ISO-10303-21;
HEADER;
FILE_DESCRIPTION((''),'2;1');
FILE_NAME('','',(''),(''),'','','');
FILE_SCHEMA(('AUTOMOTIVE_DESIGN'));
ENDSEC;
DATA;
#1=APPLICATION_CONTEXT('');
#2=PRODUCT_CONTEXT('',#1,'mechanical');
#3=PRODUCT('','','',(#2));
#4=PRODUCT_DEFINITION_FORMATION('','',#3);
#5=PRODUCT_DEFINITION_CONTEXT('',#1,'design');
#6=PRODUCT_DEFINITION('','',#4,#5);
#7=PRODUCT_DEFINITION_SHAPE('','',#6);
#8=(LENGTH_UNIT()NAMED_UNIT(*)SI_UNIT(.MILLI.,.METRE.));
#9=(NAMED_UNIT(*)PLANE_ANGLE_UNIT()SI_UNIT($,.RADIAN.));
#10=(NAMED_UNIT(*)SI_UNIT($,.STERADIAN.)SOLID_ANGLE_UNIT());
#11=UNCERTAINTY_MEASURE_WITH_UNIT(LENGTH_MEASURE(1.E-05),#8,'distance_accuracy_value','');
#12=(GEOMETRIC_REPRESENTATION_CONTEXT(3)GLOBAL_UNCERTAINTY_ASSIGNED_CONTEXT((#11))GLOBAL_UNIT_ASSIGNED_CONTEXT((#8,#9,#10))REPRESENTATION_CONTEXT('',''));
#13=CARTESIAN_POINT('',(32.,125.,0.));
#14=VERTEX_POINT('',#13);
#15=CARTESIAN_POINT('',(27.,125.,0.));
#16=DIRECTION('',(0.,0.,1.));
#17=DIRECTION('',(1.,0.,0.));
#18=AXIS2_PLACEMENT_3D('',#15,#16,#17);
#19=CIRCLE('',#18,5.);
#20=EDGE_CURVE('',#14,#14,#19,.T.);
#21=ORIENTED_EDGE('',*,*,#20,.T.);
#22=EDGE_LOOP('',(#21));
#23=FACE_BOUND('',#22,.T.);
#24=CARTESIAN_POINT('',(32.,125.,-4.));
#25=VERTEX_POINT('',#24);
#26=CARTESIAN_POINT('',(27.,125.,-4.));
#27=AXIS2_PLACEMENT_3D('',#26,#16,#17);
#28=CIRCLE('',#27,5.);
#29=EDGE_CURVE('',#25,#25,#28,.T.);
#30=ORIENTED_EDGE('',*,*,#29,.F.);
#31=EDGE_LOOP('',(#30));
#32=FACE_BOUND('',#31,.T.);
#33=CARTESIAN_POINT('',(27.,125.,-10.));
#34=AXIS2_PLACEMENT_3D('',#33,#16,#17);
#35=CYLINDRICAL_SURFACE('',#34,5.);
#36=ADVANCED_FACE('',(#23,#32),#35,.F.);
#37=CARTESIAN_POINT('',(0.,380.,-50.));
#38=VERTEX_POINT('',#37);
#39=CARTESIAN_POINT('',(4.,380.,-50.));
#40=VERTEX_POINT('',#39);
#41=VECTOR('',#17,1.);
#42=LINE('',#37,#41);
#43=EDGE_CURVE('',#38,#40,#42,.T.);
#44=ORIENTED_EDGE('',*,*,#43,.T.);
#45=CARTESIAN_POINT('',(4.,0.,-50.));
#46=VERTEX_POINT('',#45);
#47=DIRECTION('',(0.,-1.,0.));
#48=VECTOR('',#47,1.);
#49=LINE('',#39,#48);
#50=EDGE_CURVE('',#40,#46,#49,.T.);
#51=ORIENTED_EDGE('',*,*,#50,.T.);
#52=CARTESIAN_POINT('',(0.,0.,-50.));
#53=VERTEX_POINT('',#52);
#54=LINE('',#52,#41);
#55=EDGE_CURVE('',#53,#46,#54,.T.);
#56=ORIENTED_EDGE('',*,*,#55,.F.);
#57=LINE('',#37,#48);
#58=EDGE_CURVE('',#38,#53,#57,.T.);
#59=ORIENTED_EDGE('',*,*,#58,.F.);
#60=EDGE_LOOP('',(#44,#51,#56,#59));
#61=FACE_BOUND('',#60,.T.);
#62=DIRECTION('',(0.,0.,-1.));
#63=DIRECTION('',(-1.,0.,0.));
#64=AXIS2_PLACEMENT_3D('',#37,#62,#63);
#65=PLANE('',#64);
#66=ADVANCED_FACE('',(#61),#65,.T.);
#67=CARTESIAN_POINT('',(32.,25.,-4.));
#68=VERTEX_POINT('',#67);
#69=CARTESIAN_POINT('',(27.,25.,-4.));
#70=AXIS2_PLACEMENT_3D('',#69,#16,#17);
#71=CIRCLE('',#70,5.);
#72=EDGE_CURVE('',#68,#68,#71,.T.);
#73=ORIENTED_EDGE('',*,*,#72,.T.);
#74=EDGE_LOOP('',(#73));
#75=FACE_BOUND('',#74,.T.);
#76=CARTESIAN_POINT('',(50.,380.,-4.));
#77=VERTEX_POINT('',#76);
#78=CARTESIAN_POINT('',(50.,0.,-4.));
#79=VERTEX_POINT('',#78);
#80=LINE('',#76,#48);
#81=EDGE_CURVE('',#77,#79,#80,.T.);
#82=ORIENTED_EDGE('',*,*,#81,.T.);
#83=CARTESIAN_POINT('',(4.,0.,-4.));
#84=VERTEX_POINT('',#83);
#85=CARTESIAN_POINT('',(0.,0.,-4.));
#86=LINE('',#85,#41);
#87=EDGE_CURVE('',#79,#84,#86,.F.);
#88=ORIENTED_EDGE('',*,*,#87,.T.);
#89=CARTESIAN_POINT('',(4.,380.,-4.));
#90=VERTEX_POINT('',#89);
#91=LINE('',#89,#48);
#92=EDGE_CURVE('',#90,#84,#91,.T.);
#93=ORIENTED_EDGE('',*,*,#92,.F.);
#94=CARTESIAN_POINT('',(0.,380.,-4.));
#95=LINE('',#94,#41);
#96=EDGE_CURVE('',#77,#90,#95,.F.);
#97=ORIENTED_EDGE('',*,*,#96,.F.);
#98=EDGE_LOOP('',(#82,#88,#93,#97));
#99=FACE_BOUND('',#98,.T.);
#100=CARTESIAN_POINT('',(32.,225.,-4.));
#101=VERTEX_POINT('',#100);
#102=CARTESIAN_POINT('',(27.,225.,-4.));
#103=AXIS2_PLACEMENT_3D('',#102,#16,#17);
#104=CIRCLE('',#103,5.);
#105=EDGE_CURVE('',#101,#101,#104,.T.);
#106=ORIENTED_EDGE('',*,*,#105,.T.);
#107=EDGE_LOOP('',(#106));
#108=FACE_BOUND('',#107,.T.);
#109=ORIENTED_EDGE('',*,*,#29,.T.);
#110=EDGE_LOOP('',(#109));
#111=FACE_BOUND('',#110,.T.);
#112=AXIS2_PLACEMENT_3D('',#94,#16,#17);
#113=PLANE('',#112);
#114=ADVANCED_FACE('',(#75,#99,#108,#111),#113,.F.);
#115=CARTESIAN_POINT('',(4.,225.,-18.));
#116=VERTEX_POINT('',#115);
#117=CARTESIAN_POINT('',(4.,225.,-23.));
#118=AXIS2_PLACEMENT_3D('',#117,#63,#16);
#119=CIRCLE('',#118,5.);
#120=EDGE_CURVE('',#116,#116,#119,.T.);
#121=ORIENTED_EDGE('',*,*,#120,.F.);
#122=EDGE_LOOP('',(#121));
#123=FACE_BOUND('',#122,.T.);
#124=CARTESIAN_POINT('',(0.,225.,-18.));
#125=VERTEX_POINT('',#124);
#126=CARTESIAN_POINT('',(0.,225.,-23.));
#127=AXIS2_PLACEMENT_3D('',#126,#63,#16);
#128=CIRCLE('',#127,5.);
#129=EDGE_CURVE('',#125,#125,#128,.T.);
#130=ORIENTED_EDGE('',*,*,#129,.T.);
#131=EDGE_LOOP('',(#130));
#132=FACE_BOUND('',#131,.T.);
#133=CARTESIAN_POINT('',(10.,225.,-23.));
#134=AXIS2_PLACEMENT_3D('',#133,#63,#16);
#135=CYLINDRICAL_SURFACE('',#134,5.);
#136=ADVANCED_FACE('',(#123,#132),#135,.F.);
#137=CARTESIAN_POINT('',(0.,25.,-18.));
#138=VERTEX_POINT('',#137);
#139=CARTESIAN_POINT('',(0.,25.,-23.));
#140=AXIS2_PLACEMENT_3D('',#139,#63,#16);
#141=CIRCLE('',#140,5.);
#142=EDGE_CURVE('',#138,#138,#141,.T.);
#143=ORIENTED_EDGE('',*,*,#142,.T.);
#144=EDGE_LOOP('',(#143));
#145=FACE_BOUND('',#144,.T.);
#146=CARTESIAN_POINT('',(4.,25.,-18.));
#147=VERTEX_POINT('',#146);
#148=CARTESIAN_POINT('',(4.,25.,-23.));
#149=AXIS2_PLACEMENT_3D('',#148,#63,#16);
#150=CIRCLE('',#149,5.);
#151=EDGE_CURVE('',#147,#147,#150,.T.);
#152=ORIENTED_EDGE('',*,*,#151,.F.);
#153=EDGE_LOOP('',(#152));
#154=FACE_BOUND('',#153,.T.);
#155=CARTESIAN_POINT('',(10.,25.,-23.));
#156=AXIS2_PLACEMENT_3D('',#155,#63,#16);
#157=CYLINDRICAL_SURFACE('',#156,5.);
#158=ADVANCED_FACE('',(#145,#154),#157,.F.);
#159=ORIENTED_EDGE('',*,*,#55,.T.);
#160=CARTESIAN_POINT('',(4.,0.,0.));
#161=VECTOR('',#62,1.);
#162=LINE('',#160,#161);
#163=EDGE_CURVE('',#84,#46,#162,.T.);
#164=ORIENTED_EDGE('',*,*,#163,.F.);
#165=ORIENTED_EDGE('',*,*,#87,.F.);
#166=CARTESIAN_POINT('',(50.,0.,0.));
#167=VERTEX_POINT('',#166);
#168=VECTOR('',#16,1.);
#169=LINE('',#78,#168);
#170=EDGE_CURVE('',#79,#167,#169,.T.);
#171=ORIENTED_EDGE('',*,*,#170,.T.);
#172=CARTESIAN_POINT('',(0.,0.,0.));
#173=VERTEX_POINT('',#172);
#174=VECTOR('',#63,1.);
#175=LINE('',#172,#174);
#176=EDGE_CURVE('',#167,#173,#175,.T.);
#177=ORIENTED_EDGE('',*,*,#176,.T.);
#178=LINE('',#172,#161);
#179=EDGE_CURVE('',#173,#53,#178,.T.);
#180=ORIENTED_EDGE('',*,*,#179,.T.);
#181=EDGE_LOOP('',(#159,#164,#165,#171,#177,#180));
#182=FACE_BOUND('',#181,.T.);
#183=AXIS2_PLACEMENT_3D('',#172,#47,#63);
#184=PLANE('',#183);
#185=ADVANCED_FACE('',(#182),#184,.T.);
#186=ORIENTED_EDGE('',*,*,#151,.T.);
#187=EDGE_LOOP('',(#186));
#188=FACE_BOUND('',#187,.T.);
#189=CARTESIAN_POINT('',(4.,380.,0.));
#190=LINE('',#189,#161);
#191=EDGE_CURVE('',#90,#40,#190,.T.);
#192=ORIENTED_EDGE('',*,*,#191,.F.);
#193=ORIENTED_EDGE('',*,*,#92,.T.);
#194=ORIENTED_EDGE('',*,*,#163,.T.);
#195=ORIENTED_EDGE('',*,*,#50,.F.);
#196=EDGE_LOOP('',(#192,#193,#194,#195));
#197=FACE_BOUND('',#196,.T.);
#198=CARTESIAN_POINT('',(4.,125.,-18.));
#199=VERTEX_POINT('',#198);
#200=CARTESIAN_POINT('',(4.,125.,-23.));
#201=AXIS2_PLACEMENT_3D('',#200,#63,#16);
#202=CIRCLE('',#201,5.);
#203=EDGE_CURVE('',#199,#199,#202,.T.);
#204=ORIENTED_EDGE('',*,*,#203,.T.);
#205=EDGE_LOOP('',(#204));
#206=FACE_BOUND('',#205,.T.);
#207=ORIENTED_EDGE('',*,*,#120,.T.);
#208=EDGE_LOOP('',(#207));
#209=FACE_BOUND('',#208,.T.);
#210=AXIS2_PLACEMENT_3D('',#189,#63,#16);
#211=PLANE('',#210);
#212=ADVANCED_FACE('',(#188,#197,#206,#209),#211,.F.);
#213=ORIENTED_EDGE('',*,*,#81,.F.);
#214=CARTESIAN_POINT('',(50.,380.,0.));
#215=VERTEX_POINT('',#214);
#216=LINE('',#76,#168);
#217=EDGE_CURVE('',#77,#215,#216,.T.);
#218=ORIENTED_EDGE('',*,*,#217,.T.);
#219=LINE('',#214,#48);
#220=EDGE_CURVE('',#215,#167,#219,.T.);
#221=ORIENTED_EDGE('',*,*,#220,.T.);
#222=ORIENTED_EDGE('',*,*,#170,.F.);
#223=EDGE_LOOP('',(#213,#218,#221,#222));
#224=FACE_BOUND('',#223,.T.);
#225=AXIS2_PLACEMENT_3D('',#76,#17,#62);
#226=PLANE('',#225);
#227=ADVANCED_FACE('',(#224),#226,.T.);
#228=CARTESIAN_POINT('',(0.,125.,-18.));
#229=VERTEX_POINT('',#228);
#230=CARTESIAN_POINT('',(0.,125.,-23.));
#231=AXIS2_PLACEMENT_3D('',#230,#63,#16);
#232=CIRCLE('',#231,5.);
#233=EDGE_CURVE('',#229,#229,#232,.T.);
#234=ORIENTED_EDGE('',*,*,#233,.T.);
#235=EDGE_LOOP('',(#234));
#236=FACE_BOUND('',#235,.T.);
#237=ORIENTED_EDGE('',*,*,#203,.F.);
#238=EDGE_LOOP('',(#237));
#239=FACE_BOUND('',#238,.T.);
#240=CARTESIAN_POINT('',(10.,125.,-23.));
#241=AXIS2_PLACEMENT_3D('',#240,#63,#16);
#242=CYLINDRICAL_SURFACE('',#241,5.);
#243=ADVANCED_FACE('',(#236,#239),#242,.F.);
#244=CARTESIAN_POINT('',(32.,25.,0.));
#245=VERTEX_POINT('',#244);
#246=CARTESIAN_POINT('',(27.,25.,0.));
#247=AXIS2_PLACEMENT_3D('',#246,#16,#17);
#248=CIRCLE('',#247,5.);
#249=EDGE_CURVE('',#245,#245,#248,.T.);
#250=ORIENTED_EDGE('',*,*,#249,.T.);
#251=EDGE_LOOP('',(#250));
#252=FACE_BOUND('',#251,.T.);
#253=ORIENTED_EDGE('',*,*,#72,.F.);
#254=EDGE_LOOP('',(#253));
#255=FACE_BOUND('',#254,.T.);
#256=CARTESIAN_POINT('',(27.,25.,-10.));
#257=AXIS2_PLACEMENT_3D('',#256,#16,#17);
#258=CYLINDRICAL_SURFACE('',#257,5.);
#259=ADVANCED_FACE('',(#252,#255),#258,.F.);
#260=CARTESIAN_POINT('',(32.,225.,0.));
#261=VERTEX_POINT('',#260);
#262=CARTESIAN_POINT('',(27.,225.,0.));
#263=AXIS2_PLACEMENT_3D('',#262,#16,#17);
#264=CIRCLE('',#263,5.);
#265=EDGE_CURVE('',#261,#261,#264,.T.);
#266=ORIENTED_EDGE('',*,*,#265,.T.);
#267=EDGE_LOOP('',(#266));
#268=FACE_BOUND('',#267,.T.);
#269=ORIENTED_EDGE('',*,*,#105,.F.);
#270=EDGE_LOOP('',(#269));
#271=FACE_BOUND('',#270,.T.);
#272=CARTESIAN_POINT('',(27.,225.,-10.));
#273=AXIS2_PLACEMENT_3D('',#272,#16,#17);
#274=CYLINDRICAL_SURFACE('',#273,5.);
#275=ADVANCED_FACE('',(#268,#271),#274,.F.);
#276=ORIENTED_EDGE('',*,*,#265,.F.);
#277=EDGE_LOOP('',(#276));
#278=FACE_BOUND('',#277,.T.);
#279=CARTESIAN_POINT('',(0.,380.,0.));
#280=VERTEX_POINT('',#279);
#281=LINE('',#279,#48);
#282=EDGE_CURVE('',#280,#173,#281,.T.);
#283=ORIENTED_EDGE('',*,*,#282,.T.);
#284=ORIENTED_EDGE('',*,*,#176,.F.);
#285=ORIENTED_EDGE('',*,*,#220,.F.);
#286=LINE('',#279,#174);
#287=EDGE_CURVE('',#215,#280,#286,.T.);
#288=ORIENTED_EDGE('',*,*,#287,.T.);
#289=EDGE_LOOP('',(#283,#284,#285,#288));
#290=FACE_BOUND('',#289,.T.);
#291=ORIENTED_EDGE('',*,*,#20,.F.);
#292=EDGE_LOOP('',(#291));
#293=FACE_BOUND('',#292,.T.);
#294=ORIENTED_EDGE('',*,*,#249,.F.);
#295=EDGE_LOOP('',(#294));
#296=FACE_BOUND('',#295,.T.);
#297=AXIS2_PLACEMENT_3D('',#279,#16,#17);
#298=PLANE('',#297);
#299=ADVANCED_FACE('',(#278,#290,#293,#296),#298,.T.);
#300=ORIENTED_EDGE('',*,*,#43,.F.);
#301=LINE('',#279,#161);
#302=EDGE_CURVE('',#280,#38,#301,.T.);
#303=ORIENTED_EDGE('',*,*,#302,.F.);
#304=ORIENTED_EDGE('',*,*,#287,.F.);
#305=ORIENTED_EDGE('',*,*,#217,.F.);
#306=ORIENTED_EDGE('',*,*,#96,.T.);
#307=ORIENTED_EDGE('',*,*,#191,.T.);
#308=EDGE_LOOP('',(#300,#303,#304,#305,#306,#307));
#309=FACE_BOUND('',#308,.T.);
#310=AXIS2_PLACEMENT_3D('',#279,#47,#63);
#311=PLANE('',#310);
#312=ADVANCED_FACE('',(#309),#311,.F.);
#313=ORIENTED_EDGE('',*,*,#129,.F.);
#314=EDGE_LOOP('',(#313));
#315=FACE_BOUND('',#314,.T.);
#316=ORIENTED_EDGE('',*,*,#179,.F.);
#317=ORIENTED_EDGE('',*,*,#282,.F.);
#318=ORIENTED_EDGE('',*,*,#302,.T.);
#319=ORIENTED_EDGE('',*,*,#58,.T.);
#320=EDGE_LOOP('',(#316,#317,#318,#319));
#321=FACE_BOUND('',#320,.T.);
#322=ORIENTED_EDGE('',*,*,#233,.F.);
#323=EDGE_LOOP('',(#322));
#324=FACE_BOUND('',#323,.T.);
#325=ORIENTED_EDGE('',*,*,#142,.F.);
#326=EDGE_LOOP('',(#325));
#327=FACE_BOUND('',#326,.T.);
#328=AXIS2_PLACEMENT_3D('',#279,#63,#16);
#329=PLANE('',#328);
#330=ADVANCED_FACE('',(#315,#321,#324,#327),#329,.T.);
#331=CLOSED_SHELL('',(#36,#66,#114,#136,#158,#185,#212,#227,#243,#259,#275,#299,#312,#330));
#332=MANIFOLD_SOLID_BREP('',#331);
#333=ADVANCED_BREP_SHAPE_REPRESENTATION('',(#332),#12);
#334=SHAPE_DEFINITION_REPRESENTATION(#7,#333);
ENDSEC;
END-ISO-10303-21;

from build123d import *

# Parameters (mm, degrees)
EXTRUDE_1_DEPTH     = 380
SKETCH_2_R          = 5
CUT_EXTRUDE_1_DEPTH = 10
SKETCH_3_R          = 5
CUT_EXTRUDE_2_DEPTH = 10


with BuildPart() as part:
    # Эскиз1 → Вытянуть-Тонкостенный1 (new body)
    with BuildSketch(Plane(origin=(0, 0, 0), x_dir=(1, 0, 0), z_dir=(0, 1, 0))):
        Polygon((0, 50), (0, 0), (50, 0), (50, 4), (4, 4), (4, 50), align=None)
    extrude(amount=EXTRUDE_1_DEPTH)

    # Эскиз2 → Вырез-Вытянуть1 (cut)
    with BuildSketch(Plane.XY):
        with Locations((27, 225)):
            Circle(SKETCH_2_R)
        with Locations((27, 125)):
            Circle(SKETCH_2_R)
        with Locations((27, 25)):
            Circle(SKETCH_2_R)
    extrude(amount=-CUT_EXTRUDE_1_DEPTH, mode=Mode.SUBTRACT)

    # Эскиз3 → Вырез-Вытянуть2 (cut)
    with BuildSketch(Plane.ZY):
        with Locations((-23, 225)):
            Circle(SKETCH_3_R)
        with Locations((-23, 125)):
            Circle(SKETCH_3_R)
        with Locations((-23, 25)):
            Circle(SKETCH_3_R)
    extrude(amount=-CUT_EXTRUDE_2_DEPTH, mode=Mode.SUBTRACT)


solid = part.part
